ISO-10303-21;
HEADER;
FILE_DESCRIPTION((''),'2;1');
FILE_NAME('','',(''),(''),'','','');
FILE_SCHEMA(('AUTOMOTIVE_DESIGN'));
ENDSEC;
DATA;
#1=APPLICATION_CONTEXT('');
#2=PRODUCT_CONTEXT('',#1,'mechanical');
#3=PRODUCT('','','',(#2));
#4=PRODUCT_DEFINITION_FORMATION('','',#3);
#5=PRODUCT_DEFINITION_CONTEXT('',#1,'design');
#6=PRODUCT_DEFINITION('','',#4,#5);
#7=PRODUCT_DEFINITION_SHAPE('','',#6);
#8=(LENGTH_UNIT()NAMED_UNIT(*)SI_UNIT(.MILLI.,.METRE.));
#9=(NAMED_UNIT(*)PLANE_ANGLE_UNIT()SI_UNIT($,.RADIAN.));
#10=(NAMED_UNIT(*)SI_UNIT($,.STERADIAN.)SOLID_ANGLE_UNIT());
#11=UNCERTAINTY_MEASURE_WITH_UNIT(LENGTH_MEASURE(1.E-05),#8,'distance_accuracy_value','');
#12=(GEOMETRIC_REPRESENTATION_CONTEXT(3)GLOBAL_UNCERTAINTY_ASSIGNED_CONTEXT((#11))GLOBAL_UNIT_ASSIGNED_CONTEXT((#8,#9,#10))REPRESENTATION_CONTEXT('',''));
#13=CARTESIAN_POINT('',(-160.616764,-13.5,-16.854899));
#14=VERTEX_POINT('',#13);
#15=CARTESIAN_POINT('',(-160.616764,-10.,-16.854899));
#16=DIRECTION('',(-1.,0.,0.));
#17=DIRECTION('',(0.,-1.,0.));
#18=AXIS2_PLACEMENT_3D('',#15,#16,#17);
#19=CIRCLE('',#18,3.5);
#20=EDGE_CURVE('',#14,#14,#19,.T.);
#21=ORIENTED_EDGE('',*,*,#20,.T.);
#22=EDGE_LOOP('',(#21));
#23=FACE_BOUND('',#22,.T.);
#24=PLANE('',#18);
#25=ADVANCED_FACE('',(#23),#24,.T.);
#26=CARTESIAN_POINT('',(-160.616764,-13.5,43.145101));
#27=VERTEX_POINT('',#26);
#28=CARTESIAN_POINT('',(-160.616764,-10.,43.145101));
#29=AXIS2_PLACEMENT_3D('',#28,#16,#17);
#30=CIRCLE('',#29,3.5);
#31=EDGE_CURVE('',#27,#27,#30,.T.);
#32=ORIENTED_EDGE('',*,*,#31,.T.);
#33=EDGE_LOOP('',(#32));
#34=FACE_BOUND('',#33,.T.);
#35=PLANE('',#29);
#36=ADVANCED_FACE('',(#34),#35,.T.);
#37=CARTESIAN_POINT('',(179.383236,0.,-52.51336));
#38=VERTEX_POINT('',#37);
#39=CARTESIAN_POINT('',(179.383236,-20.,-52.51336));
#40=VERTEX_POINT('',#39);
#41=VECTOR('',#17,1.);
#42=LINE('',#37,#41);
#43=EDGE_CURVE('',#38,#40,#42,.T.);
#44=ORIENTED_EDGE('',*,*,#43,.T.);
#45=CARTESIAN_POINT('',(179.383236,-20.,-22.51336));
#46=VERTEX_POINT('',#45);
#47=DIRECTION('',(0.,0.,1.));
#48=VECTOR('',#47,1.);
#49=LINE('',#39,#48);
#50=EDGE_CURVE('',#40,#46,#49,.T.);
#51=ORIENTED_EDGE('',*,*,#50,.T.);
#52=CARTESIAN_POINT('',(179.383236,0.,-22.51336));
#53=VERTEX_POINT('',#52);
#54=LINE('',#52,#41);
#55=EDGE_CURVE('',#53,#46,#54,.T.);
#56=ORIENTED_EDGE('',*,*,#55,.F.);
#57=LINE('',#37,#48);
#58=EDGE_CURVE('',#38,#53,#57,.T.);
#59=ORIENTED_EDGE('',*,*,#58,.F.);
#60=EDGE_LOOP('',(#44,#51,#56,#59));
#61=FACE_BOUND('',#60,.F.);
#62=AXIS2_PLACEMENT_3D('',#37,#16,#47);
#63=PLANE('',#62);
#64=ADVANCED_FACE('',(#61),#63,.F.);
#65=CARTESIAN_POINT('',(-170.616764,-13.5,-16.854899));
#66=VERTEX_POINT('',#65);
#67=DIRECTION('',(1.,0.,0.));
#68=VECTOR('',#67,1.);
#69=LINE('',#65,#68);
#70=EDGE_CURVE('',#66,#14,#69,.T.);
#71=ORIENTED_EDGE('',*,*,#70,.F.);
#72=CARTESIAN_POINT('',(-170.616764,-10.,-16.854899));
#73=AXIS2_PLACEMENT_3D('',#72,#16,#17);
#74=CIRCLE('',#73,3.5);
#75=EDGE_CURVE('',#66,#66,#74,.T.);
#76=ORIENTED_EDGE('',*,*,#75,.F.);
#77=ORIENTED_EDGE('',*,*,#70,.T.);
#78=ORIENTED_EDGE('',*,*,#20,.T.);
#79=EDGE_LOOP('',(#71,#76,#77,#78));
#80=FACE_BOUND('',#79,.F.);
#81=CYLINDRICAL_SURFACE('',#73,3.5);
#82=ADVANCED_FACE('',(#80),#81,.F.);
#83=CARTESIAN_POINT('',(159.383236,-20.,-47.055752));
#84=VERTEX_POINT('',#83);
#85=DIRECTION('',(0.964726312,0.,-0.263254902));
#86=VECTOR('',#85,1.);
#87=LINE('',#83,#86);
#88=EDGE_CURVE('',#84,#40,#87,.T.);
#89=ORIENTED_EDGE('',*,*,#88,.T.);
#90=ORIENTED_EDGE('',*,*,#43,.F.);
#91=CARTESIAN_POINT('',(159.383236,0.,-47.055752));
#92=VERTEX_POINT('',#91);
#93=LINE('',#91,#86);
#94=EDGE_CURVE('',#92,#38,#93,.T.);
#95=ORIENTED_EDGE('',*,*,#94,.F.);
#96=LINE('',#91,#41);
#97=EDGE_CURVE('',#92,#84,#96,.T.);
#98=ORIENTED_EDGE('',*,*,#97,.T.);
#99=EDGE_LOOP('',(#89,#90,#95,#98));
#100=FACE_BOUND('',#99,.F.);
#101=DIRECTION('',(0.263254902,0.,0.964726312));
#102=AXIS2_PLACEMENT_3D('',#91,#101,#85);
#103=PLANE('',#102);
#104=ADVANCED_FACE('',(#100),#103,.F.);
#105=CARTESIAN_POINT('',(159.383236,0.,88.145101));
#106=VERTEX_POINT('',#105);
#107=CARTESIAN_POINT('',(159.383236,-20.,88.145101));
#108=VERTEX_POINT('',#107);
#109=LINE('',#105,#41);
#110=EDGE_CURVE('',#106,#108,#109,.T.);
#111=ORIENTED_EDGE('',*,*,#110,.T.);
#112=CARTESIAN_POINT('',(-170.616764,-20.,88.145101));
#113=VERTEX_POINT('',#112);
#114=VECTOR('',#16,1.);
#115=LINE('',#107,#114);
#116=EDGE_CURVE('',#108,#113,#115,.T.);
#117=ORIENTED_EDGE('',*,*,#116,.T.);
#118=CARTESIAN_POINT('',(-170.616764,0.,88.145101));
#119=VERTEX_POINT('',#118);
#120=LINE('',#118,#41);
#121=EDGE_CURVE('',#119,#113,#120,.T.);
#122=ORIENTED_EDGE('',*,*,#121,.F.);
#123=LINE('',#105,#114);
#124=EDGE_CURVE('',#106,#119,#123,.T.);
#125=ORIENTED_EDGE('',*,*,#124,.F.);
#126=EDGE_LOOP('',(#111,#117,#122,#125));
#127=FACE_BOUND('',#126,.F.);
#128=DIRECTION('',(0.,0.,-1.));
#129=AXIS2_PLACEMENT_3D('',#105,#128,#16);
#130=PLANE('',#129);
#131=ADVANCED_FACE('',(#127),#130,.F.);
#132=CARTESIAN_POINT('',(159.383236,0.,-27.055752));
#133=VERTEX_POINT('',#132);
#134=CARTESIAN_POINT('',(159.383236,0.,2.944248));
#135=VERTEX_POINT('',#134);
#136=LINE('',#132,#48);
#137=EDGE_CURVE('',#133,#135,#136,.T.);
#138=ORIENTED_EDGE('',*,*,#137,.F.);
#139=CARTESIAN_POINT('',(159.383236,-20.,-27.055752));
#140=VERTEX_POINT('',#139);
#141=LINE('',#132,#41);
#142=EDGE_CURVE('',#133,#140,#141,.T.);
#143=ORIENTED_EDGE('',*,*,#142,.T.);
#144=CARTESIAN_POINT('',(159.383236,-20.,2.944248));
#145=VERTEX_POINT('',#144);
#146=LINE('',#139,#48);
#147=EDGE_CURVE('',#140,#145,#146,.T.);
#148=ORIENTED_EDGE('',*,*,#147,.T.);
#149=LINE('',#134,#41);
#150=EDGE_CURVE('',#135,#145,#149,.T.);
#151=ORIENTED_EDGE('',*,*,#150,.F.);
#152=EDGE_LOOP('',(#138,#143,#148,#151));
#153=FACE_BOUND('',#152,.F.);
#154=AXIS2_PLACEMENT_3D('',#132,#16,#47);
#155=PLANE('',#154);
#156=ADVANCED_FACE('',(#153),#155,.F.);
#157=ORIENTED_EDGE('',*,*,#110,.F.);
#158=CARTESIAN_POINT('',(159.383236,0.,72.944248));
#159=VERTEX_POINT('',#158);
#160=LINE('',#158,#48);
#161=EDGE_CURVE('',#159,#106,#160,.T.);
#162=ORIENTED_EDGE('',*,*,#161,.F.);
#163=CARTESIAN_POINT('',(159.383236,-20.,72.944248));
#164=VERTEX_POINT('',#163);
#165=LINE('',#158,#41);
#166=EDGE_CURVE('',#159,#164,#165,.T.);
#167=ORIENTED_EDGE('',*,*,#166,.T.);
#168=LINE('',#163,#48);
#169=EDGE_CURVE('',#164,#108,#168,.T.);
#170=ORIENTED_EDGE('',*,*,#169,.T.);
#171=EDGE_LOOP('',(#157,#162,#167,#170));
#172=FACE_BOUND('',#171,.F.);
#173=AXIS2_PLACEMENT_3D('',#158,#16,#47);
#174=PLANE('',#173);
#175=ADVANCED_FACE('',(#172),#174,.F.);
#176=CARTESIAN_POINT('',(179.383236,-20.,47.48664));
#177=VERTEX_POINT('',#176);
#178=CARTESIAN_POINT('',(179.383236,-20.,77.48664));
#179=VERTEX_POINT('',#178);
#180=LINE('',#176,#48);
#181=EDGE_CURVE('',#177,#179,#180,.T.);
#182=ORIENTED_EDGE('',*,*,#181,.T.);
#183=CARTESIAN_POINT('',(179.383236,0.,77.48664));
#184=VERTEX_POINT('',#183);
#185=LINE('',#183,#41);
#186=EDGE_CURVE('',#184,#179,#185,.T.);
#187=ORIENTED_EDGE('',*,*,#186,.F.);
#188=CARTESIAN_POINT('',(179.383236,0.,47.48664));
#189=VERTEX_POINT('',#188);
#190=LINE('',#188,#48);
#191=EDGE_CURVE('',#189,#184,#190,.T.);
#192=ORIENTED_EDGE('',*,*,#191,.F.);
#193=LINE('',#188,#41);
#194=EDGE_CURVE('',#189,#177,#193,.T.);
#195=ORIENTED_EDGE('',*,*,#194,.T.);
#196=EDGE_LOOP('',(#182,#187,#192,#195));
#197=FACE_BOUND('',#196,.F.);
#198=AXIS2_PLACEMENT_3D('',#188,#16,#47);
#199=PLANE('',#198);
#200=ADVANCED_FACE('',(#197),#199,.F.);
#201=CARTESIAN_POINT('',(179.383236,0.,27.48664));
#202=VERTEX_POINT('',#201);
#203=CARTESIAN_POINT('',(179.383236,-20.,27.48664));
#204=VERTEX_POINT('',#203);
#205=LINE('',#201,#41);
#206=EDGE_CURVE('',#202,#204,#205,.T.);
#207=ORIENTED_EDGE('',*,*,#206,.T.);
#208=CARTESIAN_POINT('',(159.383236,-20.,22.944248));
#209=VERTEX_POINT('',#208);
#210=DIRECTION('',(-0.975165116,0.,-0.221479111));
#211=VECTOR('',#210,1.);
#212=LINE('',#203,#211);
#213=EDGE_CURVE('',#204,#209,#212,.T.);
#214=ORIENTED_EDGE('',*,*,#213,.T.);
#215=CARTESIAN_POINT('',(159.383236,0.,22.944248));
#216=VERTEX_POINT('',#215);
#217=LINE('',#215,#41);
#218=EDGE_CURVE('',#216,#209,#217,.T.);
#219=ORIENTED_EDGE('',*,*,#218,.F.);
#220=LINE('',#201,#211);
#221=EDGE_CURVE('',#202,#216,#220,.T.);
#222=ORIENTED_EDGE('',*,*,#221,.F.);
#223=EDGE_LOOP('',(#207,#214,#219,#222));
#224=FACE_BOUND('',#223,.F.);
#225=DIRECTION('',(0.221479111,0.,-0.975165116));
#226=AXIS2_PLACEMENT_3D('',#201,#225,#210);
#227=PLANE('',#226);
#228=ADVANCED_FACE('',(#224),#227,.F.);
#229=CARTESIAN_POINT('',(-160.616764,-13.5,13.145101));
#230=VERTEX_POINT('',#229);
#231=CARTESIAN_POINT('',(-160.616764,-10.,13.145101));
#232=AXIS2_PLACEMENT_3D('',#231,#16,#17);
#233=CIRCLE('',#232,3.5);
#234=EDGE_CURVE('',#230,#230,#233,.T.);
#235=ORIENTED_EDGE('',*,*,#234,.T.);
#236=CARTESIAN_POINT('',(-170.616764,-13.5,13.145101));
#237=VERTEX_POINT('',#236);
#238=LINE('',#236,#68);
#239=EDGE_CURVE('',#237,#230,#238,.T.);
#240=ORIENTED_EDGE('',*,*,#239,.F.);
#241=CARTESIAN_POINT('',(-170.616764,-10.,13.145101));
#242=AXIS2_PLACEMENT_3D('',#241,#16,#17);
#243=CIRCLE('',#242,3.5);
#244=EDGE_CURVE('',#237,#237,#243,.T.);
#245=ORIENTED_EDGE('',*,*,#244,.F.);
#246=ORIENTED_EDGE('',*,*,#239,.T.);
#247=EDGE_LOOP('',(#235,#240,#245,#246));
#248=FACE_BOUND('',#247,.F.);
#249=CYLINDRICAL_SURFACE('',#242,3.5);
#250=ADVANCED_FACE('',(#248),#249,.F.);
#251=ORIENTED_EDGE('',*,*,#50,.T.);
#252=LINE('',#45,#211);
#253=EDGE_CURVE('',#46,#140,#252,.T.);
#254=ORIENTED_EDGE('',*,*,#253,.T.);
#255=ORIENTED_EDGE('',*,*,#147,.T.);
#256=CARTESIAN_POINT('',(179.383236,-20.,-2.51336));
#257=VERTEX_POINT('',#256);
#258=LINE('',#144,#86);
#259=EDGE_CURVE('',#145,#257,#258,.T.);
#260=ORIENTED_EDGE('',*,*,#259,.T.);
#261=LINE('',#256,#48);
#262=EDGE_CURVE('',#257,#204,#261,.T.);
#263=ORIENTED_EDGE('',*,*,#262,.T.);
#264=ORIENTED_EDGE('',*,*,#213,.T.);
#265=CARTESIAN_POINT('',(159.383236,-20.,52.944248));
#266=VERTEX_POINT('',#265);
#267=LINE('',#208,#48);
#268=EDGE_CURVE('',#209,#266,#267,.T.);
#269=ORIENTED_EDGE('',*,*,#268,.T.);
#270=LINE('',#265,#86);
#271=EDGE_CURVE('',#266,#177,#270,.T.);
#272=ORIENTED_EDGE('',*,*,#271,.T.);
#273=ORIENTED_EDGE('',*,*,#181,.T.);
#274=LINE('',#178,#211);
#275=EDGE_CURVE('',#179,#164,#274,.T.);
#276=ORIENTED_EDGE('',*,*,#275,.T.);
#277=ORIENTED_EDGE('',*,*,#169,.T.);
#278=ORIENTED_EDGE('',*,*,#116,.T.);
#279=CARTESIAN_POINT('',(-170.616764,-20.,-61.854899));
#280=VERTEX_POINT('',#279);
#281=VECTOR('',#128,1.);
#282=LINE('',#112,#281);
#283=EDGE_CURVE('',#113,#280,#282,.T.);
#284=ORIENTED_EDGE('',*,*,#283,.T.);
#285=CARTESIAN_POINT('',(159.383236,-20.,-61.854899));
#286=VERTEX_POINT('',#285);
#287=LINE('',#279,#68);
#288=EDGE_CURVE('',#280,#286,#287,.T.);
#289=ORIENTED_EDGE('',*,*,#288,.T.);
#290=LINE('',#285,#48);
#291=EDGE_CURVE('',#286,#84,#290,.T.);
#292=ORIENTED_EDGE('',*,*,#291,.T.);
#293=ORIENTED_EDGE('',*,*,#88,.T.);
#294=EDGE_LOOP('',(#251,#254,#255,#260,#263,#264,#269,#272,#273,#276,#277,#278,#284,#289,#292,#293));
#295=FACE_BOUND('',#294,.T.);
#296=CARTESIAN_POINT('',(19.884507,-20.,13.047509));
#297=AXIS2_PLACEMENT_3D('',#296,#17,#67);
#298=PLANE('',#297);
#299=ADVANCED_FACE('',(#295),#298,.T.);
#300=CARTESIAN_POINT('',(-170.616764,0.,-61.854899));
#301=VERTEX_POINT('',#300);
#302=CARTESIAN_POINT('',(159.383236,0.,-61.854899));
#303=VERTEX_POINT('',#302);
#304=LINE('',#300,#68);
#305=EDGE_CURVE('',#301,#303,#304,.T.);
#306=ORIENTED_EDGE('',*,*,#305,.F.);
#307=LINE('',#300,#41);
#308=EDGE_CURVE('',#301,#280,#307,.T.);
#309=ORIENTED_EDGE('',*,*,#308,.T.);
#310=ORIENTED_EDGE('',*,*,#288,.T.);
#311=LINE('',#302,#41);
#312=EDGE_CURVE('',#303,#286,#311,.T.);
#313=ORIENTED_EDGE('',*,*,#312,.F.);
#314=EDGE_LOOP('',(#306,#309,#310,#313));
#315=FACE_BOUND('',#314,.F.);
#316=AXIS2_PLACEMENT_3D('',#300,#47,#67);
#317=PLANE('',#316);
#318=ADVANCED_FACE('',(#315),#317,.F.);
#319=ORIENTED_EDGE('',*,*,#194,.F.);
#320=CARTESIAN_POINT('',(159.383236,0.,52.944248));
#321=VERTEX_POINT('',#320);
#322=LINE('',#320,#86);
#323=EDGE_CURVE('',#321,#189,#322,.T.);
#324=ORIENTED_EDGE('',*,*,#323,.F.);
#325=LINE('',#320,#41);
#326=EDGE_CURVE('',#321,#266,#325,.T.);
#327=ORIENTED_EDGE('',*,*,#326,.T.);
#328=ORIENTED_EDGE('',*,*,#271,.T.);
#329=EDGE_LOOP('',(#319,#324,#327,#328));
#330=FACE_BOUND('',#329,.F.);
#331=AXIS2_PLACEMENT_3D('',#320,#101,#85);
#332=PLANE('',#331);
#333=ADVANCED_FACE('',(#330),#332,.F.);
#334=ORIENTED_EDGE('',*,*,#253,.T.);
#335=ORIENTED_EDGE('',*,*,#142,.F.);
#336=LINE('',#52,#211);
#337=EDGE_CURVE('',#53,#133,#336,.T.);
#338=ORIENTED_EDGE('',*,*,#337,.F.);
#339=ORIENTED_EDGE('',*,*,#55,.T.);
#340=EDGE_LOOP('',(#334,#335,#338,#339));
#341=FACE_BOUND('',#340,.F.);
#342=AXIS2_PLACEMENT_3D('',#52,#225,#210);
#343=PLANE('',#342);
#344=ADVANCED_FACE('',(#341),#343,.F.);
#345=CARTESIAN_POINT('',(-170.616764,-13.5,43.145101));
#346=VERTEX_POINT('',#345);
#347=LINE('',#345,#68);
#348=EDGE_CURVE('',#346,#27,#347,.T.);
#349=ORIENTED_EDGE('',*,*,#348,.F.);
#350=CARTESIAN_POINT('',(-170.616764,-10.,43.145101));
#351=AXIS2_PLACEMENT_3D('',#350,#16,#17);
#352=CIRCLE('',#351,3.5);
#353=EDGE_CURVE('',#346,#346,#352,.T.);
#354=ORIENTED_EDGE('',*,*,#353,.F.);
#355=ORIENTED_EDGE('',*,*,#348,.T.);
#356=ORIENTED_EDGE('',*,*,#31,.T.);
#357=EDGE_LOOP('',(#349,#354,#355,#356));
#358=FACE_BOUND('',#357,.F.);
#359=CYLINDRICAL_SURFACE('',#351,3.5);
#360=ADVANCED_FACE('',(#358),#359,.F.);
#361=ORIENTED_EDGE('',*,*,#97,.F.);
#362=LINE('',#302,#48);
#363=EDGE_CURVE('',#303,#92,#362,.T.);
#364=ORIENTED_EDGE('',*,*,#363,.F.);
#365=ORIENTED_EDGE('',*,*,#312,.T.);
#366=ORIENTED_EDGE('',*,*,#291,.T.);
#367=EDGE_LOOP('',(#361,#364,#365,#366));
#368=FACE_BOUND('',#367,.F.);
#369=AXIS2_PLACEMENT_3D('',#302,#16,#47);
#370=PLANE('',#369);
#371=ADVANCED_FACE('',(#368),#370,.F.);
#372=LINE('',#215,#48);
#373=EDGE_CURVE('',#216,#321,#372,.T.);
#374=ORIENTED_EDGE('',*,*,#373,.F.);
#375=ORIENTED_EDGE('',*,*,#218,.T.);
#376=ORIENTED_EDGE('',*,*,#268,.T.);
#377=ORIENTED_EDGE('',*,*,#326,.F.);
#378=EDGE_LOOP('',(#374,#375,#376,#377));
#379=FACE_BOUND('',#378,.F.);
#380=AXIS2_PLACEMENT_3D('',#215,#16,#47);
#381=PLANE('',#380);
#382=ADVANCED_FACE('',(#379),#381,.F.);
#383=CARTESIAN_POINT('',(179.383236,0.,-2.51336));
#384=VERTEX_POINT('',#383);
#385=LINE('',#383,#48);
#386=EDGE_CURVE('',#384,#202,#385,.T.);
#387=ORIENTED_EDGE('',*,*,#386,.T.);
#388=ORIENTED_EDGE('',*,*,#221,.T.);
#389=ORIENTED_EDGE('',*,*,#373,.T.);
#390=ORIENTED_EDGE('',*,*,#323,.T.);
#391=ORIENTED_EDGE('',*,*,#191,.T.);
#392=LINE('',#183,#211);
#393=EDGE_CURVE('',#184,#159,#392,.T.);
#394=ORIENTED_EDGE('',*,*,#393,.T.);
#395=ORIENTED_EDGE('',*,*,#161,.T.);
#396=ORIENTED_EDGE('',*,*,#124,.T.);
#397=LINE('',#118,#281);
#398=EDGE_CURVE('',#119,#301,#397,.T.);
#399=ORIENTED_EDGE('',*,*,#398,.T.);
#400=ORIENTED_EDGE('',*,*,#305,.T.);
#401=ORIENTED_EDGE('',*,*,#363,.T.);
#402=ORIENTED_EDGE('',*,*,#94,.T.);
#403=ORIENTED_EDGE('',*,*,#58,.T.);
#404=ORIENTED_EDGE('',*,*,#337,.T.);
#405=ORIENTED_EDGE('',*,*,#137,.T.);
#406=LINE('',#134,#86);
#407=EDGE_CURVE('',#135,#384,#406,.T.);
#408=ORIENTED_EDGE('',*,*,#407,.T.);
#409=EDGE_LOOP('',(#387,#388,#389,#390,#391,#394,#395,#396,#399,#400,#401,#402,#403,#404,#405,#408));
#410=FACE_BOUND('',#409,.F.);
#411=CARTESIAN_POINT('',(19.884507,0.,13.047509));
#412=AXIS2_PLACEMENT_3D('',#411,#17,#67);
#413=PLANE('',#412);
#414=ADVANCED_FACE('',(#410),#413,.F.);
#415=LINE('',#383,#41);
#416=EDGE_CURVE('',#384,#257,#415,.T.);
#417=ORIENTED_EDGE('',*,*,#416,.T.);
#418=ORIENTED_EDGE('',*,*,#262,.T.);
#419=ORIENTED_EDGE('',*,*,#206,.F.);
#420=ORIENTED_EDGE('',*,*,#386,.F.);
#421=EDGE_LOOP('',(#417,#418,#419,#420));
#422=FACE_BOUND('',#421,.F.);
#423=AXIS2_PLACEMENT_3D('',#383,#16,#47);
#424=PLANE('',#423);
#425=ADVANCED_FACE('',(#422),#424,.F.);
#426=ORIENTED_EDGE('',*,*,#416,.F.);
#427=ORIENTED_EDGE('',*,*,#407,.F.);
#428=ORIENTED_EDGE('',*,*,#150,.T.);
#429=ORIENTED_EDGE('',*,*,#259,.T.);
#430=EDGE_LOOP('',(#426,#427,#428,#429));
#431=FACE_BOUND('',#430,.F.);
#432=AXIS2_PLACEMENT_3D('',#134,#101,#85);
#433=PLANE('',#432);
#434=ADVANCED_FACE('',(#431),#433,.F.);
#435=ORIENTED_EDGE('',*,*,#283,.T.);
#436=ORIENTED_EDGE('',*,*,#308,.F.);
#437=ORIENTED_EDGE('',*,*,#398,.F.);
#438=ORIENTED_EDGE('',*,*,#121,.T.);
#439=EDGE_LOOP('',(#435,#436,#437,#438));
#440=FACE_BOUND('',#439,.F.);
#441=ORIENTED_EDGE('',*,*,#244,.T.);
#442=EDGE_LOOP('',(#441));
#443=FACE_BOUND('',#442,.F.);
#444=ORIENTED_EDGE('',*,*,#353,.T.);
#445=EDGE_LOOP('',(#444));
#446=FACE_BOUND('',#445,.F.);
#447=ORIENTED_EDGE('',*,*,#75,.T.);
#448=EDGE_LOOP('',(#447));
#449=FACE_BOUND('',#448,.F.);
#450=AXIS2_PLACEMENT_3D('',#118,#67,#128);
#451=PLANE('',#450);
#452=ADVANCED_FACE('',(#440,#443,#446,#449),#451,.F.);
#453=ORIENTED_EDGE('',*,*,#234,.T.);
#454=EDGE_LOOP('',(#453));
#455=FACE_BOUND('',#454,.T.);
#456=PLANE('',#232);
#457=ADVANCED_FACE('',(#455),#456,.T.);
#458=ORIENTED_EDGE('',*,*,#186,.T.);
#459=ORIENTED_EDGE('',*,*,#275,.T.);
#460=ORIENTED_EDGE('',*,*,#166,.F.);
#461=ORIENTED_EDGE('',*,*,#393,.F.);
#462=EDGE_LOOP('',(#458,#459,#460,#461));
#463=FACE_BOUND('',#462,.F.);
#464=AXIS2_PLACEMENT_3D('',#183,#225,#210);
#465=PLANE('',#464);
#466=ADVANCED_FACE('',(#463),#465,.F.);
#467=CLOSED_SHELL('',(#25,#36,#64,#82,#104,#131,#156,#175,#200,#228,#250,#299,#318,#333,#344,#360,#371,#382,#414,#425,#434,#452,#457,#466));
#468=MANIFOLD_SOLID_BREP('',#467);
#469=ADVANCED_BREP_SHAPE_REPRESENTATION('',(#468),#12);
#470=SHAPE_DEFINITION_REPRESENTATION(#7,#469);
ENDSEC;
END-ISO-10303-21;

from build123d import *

# Parameters (mm, degrees)
F1_DEPTH = 20
F2_R     = 3.5
F3_DEPTH = 10


with BuildPart() as f1:
    # F0 (on Front) → F1 (new body)
    with BuildSketch(Plane.XZ):
        Polygon((-170.616764, -61.854899), (159.383236, -61.854899), (159.383236, -47.055752), (179.383236, -52.51336), (179.383236, -22.51336), (159.383236, -27.055752), (159.383236, 2.944248), (179.383236, -2.51336), (179.383236, 13.145101), (179.383236, 27.48664), (159.383236, 22.944248), (159.383236, 52.944248), (179.383236, 47.48664), (179.383236, 77.48664), (159.383236, 72.944248), (159.383236, 88.145101), (-170.616764, 88.145101), align=None)
    extrude(amount=F1_DEPTH)

    # F2 (on face) → F3 (cut)
    with BuildSketch(Plane(origin=(-170.616764, 0, 0), x_dir=(0, -1, 0), z_dir=(-1, 0, 0))):
        with Locations((10, 13.145101)):
            Circle(F2_R)
        with Locations((10, 43.145101)):
            Circle(F2_R)
        with Locations((10, -16.854899)):
            Circle(F2_R)
    extrude(amount=-F3_DEPTH, mode=Mode.SUBTRACT)


solid = f1.part
